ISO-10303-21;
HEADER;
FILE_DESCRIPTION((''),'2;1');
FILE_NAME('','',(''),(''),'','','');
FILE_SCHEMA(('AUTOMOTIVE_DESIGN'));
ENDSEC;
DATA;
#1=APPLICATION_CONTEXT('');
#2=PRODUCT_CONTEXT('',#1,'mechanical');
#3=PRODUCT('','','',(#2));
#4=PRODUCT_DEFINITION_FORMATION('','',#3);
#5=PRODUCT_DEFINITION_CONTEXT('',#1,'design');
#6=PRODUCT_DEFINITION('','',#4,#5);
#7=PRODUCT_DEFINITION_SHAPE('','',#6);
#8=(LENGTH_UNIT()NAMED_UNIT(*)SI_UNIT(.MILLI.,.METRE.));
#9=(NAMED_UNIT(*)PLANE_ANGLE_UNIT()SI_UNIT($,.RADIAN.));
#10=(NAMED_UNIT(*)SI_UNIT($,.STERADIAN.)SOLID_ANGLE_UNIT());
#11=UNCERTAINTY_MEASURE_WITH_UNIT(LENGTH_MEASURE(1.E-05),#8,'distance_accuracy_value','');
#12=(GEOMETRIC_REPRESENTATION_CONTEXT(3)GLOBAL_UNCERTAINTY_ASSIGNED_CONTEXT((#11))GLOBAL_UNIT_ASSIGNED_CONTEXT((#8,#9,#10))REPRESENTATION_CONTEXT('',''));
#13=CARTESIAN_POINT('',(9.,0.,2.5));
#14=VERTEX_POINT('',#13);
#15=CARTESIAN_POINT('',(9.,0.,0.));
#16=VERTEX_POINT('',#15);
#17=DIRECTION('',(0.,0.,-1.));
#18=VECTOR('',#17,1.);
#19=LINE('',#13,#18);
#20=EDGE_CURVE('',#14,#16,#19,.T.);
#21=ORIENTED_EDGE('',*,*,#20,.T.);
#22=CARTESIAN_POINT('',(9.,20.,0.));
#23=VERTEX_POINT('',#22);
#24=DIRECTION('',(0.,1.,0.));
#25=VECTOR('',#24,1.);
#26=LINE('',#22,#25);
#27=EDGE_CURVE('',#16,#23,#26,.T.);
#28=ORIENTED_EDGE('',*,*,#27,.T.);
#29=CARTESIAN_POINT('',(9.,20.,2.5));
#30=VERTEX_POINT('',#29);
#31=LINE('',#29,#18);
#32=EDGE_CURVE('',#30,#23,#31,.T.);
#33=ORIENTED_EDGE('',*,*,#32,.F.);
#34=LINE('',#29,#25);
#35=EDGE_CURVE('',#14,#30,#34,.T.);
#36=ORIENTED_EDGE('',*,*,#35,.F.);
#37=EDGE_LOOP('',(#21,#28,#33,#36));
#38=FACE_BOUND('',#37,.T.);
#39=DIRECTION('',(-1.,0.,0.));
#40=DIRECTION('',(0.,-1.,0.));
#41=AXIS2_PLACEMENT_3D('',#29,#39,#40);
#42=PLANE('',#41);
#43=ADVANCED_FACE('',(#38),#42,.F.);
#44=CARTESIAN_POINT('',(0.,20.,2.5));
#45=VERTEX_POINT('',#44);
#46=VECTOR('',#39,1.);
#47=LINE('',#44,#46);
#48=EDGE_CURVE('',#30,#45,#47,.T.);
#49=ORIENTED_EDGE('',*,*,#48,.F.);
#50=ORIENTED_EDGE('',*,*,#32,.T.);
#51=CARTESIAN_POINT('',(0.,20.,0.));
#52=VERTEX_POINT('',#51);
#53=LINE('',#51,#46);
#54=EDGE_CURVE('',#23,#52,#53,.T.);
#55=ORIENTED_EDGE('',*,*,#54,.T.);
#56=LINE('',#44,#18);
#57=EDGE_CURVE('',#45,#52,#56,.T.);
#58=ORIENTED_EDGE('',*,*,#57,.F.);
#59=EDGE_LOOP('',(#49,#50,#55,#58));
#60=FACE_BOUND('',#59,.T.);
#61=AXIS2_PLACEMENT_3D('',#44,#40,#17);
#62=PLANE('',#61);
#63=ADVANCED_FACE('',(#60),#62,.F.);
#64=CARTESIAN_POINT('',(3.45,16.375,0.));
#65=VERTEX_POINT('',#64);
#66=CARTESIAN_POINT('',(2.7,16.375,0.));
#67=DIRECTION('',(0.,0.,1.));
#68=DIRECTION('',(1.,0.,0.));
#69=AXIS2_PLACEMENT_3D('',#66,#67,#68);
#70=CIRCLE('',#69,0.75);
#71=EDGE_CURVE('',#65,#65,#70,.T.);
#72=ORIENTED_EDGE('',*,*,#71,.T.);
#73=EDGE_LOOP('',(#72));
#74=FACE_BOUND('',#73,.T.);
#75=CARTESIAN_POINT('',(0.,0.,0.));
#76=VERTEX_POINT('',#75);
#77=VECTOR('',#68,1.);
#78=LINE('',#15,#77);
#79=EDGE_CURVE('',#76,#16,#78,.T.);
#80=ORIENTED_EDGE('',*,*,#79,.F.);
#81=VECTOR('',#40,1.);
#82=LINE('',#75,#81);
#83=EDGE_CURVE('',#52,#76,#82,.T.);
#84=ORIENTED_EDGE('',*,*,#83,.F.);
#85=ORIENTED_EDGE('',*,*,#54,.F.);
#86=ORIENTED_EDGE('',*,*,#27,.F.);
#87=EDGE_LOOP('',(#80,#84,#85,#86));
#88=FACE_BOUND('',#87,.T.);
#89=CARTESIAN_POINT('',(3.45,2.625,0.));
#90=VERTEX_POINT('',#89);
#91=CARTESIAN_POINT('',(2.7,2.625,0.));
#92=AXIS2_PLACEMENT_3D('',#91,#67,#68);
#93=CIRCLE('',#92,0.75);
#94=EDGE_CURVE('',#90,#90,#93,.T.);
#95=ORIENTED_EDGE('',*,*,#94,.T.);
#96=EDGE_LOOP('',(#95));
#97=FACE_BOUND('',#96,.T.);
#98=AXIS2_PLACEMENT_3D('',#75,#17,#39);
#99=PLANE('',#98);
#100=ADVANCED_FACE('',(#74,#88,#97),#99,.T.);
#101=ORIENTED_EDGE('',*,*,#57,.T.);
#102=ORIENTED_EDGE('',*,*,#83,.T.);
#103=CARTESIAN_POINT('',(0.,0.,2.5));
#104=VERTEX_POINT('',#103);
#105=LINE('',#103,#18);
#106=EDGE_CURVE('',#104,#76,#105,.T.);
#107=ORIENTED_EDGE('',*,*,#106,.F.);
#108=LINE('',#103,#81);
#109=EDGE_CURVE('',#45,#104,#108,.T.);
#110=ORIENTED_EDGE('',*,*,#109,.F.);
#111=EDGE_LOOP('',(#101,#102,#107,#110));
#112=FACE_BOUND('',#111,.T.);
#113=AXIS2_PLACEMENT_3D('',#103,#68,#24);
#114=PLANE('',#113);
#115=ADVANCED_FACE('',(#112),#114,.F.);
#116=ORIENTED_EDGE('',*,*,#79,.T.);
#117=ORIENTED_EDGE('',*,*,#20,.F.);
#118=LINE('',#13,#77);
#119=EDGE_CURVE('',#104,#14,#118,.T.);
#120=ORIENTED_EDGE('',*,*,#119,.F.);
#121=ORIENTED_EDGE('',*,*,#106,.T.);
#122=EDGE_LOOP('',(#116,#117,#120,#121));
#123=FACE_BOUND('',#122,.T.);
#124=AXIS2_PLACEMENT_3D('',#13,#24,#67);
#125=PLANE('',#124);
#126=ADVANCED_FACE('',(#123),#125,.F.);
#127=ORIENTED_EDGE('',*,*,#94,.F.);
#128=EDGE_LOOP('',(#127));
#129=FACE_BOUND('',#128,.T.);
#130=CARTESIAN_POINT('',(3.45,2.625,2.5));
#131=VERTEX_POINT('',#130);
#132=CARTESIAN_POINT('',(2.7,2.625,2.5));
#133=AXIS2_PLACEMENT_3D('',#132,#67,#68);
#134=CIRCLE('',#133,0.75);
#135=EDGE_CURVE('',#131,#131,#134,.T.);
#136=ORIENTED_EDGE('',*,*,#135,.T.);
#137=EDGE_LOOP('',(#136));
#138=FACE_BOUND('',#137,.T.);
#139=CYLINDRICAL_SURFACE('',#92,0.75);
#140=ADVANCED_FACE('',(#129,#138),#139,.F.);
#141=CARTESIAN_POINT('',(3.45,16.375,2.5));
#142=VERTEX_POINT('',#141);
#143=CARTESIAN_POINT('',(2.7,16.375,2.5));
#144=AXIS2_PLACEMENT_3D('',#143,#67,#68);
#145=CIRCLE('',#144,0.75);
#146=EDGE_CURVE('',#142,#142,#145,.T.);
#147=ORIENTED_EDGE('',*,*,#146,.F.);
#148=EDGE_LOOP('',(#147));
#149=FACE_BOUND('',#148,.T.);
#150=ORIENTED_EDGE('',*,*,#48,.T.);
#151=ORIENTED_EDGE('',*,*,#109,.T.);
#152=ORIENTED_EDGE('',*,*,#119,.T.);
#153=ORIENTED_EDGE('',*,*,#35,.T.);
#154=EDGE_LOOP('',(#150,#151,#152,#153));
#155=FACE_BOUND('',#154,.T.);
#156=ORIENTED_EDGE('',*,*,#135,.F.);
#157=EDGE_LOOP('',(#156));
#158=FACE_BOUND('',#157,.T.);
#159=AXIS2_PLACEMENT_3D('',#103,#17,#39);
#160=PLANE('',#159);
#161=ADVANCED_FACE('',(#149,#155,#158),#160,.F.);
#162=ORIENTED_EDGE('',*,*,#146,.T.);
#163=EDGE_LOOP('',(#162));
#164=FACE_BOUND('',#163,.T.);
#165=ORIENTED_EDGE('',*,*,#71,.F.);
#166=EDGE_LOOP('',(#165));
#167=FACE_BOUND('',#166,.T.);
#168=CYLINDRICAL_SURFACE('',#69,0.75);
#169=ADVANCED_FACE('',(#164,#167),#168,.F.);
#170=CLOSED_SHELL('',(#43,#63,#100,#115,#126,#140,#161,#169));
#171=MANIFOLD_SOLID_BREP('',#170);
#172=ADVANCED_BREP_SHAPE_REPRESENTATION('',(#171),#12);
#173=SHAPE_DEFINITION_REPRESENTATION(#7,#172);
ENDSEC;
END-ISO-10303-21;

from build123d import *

# Parameters (mm, degrees)
SKETCH2_W           = 9
SKETCH2_H           = 20
BOSS_EXTRUDE1_DEPTH = 2.5
SKETCH3_R           = 0.75
CUT_EXTRUDE1_DEPTH  = 3.5


with BuildPart() as part:
    # Sketch2 → Boss-Extrude1 (new body)
    with BuildSketch(Plane.XY):
        with Locations((4.5, 10)):
            Rectangle(SKETCH2_W, SKETCH2_H)
    extrude(amount=BOSS_EXTRUDE1_DEPTH)

    # Sketch3 → Cut-Extrude1 (cut, through all)
    with BuildSketch(Plane.XY.offset(2.5)):
        with Locations((2.7, 16.375)):
            Circle(SKETCH3_R)
        with Locations((2.7, 2.625)):
            Circle(SKETCH3_R)
    extrude(amount=-CUT_EXTRUDE1_DEPTH, mode=Mode.SUBTRACT)


solid = part.part
